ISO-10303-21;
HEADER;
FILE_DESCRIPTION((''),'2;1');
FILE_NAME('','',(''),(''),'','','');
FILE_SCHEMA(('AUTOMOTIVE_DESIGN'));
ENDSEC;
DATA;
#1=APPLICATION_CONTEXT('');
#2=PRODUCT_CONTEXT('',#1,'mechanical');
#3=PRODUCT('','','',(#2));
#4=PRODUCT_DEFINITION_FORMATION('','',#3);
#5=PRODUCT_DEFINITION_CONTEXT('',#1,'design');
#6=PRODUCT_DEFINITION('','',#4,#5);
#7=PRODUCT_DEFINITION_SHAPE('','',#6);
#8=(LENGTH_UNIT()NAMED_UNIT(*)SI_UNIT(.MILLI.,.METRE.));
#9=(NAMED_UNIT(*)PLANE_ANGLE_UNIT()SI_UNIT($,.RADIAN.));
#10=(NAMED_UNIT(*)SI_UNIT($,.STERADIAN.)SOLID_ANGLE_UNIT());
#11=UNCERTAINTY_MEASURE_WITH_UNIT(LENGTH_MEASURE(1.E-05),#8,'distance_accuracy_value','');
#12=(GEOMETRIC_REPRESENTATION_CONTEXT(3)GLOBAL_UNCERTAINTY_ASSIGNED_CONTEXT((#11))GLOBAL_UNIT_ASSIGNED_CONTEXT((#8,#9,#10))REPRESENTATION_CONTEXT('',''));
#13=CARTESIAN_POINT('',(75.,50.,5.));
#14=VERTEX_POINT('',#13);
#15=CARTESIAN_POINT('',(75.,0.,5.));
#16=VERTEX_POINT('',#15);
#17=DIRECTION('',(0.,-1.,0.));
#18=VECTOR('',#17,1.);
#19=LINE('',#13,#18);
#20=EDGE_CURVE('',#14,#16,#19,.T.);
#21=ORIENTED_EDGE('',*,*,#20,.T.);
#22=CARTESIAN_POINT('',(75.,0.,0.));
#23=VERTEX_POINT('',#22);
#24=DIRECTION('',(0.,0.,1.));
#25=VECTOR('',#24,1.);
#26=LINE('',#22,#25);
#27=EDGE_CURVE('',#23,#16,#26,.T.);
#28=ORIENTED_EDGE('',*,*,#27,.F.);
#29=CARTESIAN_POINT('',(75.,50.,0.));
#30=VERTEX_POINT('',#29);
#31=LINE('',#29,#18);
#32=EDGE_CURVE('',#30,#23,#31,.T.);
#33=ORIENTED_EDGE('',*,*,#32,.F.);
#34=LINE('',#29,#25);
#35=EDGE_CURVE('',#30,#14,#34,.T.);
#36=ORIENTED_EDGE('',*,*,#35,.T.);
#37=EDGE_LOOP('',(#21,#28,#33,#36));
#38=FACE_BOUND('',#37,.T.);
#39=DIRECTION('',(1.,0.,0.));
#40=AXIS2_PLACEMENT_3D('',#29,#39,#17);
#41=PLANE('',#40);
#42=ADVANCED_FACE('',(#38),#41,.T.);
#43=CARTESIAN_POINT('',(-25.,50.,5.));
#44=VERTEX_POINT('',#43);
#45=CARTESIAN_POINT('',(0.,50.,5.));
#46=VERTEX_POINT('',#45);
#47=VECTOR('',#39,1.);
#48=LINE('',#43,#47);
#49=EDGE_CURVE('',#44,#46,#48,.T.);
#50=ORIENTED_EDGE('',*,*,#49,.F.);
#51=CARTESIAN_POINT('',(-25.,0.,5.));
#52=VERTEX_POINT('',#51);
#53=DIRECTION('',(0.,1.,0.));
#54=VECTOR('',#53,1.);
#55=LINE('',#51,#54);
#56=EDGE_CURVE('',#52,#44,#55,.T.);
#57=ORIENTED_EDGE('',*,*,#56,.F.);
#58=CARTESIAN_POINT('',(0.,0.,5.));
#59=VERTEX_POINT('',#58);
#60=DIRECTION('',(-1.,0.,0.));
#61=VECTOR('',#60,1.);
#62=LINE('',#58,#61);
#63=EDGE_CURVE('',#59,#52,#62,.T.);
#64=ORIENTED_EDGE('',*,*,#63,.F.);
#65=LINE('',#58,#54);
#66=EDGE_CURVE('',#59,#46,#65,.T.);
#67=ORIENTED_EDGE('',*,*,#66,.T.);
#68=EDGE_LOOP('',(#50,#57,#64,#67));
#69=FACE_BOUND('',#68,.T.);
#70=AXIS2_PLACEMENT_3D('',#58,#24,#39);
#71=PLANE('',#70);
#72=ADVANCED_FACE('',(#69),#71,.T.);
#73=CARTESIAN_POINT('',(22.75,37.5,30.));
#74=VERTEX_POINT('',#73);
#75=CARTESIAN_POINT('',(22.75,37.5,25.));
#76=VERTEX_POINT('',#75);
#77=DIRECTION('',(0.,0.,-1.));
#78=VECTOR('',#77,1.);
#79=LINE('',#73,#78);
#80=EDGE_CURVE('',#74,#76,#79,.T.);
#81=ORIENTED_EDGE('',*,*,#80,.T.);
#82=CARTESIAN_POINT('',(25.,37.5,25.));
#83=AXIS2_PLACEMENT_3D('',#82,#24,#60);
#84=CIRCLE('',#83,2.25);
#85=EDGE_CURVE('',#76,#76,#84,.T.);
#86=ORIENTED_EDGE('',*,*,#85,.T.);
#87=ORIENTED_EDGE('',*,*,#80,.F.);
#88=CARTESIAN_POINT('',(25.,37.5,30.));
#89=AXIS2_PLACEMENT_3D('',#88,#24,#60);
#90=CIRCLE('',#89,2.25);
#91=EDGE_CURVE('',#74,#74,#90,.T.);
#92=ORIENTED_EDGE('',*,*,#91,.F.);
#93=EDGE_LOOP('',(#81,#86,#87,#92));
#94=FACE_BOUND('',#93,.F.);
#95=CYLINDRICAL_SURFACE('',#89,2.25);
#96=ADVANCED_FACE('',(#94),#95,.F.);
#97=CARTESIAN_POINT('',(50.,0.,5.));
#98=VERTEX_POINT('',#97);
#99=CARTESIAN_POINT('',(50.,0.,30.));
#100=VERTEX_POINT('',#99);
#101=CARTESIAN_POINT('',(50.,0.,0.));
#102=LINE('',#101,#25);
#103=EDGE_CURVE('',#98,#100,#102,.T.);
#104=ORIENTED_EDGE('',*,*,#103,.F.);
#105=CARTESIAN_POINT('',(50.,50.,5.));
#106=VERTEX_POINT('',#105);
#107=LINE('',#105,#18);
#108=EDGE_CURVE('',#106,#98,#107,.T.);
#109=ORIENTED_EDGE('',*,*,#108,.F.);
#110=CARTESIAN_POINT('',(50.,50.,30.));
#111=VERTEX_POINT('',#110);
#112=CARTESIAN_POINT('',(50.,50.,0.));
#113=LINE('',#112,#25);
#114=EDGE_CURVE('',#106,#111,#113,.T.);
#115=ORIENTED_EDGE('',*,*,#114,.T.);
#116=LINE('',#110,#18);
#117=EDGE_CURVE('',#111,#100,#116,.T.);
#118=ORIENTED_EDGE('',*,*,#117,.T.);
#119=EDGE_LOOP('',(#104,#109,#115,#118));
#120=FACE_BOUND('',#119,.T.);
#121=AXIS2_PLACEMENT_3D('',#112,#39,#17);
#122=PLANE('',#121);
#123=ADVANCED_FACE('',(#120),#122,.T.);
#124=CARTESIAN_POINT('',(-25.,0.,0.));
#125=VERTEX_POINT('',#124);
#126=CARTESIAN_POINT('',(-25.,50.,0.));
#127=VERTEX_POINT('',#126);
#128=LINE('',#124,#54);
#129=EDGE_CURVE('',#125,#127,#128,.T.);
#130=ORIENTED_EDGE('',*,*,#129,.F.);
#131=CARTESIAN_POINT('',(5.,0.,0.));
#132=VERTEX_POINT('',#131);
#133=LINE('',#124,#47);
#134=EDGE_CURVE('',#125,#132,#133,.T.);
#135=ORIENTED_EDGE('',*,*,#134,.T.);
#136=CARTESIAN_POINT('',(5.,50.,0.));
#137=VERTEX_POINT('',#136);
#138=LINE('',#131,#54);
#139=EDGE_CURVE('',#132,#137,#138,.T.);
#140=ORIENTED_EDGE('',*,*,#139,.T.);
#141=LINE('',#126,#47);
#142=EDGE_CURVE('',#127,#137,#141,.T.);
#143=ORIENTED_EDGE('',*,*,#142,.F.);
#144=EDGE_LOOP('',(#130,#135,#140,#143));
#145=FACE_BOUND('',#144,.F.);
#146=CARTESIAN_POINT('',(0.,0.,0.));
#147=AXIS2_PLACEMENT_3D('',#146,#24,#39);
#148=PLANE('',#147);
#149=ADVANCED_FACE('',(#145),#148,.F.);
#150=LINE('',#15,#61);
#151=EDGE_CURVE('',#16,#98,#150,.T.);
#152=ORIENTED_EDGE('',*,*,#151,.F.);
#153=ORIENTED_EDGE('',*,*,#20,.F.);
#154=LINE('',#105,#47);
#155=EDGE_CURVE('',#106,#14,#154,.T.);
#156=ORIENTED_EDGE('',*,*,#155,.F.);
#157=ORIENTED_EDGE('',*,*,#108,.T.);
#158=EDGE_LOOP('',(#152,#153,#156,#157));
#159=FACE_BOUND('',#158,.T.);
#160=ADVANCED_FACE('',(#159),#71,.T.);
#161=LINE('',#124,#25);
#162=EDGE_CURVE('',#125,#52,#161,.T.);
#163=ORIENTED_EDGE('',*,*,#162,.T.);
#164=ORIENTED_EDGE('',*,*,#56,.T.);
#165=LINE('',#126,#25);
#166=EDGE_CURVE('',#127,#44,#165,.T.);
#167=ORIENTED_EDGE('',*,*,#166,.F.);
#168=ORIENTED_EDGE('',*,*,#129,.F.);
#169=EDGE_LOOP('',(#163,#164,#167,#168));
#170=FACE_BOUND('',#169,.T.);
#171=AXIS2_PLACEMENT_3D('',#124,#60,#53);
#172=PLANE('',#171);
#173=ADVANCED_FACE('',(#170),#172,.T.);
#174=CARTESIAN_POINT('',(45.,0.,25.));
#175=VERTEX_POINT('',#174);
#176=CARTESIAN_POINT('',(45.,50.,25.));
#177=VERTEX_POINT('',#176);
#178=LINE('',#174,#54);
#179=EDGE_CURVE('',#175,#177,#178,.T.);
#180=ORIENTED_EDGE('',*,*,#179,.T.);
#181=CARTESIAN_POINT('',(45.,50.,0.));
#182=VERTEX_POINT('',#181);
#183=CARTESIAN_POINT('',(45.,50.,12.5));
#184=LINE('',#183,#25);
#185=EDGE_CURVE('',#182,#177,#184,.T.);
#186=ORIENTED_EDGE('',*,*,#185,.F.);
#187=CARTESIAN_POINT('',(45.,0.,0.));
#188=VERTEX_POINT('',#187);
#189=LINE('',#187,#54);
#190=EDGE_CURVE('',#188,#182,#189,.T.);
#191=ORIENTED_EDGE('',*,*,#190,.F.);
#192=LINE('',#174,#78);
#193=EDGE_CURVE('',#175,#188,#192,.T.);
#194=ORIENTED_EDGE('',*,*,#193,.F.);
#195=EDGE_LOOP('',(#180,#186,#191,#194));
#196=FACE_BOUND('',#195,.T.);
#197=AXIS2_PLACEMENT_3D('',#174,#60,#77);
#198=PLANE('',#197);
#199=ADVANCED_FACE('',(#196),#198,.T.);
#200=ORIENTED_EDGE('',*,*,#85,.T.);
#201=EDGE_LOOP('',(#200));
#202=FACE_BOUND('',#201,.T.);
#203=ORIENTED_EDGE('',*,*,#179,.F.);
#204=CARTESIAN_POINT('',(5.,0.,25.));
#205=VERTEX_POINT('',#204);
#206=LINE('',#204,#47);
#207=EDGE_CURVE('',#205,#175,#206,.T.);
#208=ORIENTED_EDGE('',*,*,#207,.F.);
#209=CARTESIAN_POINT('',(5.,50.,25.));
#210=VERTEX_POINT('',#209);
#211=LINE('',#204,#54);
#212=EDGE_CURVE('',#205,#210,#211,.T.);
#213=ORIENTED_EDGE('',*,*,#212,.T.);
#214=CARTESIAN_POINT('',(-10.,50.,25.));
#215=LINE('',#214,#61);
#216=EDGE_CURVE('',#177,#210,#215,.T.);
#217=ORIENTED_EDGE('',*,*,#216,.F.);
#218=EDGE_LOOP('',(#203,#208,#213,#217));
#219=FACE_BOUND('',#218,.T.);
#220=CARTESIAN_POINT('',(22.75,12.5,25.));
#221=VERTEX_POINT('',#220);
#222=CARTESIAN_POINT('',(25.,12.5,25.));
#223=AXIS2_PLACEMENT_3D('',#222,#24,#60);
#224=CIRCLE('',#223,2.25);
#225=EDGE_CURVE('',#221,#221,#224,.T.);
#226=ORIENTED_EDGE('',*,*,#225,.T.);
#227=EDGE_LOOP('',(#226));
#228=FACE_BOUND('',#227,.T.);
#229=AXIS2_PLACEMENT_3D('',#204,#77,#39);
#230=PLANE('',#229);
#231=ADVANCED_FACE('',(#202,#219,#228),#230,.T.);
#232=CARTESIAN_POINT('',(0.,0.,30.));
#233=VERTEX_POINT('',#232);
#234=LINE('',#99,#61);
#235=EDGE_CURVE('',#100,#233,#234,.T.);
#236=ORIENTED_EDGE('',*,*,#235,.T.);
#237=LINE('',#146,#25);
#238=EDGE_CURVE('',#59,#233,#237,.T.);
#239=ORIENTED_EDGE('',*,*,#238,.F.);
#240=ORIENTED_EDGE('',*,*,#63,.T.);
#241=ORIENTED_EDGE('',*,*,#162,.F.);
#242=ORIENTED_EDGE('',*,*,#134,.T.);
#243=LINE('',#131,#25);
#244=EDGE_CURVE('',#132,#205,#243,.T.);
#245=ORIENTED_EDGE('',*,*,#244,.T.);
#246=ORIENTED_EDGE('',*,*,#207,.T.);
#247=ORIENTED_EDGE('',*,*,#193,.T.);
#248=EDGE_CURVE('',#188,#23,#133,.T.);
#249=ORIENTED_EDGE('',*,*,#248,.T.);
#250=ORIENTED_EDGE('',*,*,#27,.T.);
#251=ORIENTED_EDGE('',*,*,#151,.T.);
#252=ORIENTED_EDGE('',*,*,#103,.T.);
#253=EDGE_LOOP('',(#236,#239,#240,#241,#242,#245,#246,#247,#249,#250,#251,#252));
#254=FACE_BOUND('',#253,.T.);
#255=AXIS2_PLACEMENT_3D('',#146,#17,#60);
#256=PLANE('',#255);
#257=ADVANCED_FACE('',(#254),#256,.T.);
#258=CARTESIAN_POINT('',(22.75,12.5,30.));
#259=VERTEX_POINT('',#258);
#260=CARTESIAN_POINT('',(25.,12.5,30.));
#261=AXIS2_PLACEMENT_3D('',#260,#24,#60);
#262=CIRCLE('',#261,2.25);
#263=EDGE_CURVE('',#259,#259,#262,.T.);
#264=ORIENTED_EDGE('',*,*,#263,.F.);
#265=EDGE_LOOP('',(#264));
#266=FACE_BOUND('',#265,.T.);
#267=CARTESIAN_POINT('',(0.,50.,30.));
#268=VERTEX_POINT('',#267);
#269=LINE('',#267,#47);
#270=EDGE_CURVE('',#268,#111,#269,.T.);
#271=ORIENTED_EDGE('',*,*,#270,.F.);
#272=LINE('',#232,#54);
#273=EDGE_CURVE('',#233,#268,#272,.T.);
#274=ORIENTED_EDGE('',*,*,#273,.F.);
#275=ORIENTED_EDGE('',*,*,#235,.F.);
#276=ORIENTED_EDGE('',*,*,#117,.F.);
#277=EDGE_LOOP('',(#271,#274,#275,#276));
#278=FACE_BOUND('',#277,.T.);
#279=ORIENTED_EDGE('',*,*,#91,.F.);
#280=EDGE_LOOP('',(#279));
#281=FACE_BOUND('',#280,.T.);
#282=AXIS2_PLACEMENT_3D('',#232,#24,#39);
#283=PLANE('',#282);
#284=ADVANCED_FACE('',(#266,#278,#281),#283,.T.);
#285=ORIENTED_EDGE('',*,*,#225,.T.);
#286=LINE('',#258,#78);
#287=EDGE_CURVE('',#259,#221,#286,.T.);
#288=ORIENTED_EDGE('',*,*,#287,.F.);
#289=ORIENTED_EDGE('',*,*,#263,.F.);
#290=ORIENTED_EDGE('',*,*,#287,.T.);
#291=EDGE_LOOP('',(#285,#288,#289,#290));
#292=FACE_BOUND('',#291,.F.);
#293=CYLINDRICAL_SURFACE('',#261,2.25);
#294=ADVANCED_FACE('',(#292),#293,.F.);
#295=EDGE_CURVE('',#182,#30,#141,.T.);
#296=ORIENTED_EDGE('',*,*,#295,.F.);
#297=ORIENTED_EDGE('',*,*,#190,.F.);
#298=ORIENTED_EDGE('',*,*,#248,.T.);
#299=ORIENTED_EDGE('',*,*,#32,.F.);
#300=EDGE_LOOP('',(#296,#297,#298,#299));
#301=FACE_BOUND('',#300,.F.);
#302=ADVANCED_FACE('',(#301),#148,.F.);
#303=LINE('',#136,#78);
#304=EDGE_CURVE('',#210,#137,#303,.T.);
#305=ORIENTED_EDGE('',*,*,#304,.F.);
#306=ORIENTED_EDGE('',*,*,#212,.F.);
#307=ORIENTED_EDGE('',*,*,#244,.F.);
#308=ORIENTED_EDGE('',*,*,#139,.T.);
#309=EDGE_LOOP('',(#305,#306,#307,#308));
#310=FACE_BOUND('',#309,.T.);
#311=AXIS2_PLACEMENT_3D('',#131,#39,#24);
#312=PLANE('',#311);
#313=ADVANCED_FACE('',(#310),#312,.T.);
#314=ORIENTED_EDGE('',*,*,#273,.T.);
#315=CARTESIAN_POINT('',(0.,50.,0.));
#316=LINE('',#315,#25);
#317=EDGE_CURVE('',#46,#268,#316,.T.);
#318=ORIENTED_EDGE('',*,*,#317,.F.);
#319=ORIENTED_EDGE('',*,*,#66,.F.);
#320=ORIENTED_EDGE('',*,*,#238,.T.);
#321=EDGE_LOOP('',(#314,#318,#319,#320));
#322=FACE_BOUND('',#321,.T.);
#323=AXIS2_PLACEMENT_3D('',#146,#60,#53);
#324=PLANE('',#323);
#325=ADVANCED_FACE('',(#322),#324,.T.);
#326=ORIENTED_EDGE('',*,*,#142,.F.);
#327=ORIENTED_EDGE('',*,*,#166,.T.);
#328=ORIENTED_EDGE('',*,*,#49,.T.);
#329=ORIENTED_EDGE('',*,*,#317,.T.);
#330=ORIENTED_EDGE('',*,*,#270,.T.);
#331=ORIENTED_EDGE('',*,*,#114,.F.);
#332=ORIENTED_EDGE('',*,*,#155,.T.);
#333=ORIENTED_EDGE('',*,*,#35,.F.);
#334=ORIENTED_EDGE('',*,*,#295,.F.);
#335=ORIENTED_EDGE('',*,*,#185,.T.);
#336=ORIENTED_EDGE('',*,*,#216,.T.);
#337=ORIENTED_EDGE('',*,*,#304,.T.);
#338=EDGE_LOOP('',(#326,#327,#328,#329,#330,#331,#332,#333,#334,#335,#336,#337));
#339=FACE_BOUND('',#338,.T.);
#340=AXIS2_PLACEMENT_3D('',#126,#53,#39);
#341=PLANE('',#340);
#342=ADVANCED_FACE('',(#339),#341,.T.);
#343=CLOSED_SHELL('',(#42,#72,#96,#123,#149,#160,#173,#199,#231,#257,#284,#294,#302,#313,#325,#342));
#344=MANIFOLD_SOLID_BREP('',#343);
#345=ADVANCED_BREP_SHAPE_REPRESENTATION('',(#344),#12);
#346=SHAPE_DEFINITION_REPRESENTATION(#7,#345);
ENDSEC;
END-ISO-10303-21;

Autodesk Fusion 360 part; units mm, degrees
sketch "Sketch9" plane through (0, 0, 0) normal (0, 0, 1) x (1, 0, 0)
  line L0 (0, 50) -> (50, 50)
  line L1 (50, 50) -> (50, 0)
  line L2 (50, 0) -> (0, 0)
  line L3 (0, 0) -> (0, 50)
  line L4 (-25, 50) -> (0, 50)
  line L5 (0, 50) -> (0, 0)
  line L6 (0, 0) -> (-25, 0)
  line L7 (-25, 0) -> (-25, 50)
  line L8 (50, 50) -> (75, 50)
  line L9 (75, 50) -> (75, 0)
  line L10 (75, 0) -> (50, 0)
  line L11 (50, 0) -> (50, 50)
  dimension "d34" = 50
  dimension "d35" = 50
  dimension "d36" = 25
  dimension "d37" = 50
extrude "Extrude5" add sketch "Sketch9" along normal blind 30 contours L0 L1 L2 L3 L5 L11
extrude "Extrude6" add sketch "Sketch9" along normal blind 5 contours L1 L8 L9 L10 L11
extrude "Extrude7" add sketch "Sketch9" along normal blind 5 contours L3 L4 L5 L6 L7
sketch "Sketch12" plane through (0, 0, 0) normal (0, 1, 0) x (1, 0, 0)
  line L0 (5, -25) -> (45, -25)
  line L1 (45, -25) -> (45, 0)
  line L2 (45, 0) -> (5, 0)
  line L3 (5, 0) -> (5, -25)
  line L4 (50, 0) -> (0, 0)
  line L5 (75, 0) -> (-25, 0)
  line L6 (-25, 0) -> (75, 0)
  line L7 (0, -30) -> (50, -30)
  line L8 (0, -5) -> (0, -30)
  line L9 (50, -5) -> (50, -30)
  dimension "d44" = 5
  dimension "d45" = 5
  dimension "d46" = 5
extrude "Extrude8" cut sketch "Sketch12" along normal through all
sketch "Sketch13" plane through (0, 0, 30) normal (0, 0, 1) x (-1, 0, 0)
  line L0 (0, -50) -> (0, 0)
  line L1 (0, 0) -> (-50, 0)
  line L2 (-50, 0) -> (-50, -50)
  line L3 (-50, -50) -> (0, -50)
  circle A0 centre (-25, -12.5) radius 2.25
  circle A1 centre (-25, -37.5) radius 2.25
  dimension "d48" = 4.5
  dimension "d49" = 4.5
  dimension "d50" = 25
  dimension "d51" = 25
  dimension "d52" = 12.5
extrude "Extrude9" cut sketch "Sketch13" against normal through all contours A0
extrude "Extrude10" cut sketch "Sketch13" against normal through all contours A1
